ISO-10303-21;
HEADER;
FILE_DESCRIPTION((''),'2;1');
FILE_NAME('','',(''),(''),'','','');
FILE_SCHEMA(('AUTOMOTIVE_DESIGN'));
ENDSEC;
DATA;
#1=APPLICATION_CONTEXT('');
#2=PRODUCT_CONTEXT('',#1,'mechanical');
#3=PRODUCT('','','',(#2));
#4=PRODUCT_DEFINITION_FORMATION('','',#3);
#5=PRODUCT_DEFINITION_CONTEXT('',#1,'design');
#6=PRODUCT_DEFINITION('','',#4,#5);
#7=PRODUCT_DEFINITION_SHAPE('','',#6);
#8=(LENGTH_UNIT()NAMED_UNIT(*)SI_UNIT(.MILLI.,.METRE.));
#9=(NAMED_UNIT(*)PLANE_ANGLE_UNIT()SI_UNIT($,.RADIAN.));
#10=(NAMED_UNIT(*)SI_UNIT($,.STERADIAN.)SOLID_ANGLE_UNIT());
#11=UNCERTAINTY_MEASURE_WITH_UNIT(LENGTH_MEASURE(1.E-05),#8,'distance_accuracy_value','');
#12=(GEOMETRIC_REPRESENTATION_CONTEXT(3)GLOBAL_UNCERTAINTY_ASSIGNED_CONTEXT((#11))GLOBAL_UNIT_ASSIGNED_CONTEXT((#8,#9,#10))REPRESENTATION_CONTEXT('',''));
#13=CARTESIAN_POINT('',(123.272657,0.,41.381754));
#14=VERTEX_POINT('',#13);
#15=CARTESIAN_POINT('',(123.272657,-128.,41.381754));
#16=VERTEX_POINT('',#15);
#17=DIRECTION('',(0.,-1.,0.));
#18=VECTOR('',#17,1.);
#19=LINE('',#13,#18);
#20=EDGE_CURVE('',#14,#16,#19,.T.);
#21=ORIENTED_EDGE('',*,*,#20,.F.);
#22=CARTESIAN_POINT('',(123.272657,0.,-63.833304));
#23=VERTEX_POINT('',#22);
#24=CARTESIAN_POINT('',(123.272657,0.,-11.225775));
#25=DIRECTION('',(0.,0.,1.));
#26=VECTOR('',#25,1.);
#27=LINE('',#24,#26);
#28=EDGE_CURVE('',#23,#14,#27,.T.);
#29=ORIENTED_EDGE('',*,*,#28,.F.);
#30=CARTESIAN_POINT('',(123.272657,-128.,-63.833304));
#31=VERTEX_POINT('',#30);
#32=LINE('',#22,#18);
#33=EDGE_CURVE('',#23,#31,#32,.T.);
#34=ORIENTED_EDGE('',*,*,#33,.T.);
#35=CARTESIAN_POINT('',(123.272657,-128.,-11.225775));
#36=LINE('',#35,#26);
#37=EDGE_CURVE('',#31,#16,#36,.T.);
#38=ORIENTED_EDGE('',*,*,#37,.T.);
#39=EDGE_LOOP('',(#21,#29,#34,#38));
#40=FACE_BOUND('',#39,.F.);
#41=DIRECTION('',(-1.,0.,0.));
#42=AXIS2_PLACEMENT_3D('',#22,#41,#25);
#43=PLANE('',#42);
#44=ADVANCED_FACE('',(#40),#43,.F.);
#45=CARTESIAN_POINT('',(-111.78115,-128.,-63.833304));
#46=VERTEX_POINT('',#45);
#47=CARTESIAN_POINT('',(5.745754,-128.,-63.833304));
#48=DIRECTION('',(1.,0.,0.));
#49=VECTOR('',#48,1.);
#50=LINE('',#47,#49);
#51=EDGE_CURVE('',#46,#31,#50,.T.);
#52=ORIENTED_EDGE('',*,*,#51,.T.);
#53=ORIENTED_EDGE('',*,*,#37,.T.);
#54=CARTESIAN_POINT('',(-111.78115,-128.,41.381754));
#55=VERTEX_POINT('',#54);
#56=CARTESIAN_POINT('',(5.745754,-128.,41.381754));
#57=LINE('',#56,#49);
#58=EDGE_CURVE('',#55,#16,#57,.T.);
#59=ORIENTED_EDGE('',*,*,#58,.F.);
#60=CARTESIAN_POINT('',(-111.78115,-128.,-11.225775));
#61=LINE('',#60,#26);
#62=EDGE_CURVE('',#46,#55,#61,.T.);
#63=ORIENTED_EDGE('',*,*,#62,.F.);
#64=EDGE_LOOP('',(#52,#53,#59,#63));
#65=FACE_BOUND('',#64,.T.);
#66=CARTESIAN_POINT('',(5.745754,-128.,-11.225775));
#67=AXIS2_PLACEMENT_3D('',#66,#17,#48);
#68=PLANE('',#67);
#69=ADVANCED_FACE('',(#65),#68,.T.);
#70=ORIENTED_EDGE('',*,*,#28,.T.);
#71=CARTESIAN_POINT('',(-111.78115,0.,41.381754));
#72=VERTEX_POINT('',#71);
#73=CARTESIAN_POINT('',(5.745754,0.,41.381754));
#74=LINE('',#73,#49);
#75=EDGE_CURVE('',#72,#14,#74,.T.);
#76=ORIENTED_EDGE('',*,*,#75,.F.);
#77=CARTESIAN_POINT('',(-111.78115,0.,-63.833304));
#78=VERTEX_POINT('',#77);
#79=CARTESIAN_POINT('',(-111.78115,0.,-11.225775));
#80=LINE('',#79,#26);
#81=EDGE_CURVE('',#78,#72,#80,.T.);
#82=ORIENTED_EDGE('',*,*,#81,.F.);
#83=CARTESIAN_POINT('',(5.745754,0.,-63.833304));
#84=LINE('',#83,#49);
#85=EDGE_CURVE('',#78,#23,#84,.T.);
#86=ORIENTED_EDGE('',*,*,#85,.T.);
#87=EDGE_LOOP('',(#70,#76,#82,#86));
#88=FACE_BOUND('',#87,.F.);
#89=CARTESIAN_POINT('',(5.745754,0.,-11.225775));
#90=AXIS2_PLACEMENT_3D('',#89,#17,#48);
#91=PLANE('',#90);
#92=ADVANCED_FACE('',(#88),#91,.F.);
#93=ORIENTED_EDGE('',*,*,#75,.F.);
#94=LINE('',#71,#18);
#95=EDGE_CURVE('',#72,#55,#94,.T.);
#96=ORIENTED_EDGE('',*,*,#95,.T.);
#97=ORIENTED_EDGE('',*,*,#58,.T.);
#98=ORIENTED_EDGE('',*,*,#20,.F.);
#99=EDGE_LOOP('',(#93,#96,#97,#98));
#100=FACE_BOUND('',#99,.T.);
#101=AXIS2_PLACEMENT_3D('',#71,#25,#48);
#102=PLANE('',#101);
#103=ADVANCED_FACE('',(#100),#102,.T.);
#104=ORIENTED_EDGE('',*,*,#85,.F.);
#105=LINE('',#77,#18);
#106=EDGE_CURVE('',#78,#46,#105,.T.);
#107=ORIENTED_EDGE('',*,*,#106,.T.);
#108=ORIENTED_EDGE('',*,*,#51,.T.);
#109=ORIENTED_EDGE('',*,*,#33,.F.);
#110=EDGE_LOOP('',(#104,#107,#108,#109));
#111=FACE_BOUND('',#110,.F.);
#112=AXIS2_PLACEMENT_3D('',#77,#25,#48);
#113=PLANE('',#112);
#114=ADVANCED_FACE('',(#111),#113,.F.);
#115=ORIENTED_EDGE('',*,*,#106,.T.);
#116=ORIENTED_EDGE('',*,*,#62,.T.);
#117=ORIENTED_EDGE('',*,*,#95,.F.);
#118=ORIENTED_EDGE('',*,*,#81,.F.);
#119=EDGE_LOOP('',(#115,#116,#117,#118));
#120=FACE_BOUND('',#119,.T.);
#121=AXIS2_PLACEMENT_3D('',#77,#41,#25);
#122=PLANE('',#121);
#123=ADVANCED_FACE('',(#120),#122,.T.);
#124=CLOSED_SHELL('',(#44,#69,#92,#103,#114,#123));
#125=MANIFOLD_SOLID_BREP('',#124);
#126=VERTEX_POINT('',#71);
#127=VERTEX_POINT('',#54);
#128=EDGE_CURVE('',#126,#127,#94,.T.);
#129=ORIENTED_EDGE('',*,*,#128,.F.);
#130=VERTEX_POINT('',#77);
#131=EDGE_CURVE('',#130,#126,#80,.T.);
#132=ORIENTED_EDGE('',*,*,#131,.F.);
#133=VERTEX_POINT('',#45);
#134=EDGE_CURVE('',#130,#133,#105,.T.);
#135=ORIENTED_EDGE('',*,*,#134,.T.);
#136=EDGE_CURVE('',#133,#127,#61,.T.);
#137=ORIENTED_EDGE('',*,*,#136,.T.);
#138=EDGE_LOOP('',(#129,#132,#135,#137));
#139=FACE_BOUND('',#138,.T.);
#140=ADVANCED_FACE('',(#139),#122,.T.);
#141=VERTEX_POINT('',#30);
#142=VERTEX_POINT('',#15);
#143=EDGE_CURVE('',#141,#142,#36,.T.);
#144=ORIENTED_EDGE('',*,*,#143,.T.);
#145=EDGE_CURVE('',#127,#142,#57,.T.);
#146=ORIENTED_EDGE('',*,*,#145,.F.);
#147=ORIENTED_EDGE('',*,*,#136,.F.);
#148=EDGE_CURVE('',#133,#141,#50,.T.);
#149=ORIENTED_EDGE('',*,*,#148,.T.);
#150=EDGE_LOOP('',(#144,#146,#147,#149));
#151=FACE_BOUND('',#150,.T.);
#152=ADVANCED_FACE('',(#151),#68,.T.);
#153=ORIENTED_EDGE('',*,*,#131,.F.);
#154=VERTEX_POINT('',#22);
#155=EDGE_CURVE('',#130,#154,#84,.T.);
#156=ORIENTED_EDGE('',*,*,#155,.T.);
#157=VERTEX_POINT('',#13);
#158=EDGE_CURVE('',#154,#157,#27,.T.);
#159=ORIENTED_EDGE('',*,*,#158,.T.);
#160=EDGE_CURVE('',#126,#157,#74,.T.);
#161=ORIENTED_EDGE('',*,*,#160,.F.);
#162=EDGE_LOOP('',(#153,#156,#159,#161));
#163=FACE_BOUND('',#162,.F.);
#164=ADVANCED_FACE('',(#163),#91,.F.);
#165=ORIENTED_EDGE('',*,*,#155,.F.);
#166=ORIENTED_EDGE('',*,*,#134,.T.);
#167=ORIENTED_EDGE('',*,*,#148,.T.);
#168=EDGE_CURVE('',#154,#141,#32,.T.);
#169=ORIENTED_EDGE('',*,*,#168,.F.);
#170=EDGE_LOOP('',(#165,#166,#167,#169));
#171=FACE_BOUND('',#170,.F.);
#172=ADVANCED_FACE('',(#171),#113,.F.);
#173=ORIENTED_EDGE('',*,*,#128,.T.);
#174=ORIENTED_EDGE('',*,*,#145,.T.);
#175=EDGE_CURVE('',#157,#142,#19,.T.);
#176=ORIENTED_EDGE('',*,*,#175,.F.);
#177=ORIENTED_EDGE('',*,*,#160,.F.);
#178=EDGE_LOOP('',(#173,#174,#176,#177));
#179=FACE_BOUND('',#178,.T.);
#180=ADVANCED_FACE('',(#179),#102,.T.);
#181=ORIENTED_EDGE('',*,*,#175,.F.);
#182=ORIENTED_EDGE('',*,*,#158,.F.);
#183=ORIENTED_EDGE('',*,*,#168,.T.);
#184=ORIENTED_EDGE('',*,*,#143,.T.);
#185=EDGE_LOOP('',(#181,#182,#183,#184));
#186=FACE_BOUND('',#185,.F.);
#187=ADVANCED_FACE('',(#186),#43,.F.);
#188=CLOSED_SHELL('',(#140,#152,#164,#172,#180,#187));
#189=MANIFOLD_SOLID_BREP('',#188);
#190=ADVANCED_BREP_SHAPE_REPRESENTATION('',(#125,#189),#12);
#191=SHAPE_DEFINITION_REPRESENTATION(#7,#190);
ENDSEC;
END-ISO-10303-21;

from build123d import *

# Parameters (mm, degrees)
F0_W     = 235.053807497
F0_H     = 105.2150577307
F2_DEPTH = 128
F1_W     = 235.053807497
F1_H     = 105.2150577307
F1_R     = 15.0244451301
F1_R_2   = 20.5909250724
F1_R_3   = 12.9669209458
F1_R_4   = 11.722784582


with BuildPart() as f2:
    # F0 (on Front) → F2 (new body)
    with BuildSketch(Plane.XZ):
        with Locations((5.7457536459, -11.2257748842)):
            Rectangle(F0_W, F0_H)
    extrude(amount=F2_DEPTH)


with BuildPart() as f2b:
    # F1 (on face) → F2, piece 2 (new body)
    with BuildSketch(Plane.XZ):
        with Locations((5.7457536459, -11.2257748842)):
            Rectangle(F1_W, F1_H)
        with Locations((83.9229151607, -42.4591824412)):
            Circle(F1_R, mode=Mode.SUBTRACT)
        with Locations((3.1340499409, -9.3679996207)):
            Circle(F1_R_2, mode=Mode.SUBTRACT)
        with Locations((-95.4144373536, 22.0787003636)):
            Circle(F1_R_3, mode=Mode.SUBTRACT)
        with Locations((70.6902518868, 27.1969623864)):
            Circle(F1_R_4, mode=Mode.SUBTRACT)
        with Locations((3.1340499409, -9.3679996207)):
            Circle(F1_R_2)
        with Locations((83.9229151607, -42.4591824412)):
            Circle(F1_R)
        with Locations((-95.4144373536, 22.0787003636)):
            Circle(F1_R_3)
        with Locations((70.6902518868, 27.1969623864)):
            Circle(F1_R_4)
    extrude(amount=F2_DEPTH)


solid = Compound([f2.part, f2b.part])
